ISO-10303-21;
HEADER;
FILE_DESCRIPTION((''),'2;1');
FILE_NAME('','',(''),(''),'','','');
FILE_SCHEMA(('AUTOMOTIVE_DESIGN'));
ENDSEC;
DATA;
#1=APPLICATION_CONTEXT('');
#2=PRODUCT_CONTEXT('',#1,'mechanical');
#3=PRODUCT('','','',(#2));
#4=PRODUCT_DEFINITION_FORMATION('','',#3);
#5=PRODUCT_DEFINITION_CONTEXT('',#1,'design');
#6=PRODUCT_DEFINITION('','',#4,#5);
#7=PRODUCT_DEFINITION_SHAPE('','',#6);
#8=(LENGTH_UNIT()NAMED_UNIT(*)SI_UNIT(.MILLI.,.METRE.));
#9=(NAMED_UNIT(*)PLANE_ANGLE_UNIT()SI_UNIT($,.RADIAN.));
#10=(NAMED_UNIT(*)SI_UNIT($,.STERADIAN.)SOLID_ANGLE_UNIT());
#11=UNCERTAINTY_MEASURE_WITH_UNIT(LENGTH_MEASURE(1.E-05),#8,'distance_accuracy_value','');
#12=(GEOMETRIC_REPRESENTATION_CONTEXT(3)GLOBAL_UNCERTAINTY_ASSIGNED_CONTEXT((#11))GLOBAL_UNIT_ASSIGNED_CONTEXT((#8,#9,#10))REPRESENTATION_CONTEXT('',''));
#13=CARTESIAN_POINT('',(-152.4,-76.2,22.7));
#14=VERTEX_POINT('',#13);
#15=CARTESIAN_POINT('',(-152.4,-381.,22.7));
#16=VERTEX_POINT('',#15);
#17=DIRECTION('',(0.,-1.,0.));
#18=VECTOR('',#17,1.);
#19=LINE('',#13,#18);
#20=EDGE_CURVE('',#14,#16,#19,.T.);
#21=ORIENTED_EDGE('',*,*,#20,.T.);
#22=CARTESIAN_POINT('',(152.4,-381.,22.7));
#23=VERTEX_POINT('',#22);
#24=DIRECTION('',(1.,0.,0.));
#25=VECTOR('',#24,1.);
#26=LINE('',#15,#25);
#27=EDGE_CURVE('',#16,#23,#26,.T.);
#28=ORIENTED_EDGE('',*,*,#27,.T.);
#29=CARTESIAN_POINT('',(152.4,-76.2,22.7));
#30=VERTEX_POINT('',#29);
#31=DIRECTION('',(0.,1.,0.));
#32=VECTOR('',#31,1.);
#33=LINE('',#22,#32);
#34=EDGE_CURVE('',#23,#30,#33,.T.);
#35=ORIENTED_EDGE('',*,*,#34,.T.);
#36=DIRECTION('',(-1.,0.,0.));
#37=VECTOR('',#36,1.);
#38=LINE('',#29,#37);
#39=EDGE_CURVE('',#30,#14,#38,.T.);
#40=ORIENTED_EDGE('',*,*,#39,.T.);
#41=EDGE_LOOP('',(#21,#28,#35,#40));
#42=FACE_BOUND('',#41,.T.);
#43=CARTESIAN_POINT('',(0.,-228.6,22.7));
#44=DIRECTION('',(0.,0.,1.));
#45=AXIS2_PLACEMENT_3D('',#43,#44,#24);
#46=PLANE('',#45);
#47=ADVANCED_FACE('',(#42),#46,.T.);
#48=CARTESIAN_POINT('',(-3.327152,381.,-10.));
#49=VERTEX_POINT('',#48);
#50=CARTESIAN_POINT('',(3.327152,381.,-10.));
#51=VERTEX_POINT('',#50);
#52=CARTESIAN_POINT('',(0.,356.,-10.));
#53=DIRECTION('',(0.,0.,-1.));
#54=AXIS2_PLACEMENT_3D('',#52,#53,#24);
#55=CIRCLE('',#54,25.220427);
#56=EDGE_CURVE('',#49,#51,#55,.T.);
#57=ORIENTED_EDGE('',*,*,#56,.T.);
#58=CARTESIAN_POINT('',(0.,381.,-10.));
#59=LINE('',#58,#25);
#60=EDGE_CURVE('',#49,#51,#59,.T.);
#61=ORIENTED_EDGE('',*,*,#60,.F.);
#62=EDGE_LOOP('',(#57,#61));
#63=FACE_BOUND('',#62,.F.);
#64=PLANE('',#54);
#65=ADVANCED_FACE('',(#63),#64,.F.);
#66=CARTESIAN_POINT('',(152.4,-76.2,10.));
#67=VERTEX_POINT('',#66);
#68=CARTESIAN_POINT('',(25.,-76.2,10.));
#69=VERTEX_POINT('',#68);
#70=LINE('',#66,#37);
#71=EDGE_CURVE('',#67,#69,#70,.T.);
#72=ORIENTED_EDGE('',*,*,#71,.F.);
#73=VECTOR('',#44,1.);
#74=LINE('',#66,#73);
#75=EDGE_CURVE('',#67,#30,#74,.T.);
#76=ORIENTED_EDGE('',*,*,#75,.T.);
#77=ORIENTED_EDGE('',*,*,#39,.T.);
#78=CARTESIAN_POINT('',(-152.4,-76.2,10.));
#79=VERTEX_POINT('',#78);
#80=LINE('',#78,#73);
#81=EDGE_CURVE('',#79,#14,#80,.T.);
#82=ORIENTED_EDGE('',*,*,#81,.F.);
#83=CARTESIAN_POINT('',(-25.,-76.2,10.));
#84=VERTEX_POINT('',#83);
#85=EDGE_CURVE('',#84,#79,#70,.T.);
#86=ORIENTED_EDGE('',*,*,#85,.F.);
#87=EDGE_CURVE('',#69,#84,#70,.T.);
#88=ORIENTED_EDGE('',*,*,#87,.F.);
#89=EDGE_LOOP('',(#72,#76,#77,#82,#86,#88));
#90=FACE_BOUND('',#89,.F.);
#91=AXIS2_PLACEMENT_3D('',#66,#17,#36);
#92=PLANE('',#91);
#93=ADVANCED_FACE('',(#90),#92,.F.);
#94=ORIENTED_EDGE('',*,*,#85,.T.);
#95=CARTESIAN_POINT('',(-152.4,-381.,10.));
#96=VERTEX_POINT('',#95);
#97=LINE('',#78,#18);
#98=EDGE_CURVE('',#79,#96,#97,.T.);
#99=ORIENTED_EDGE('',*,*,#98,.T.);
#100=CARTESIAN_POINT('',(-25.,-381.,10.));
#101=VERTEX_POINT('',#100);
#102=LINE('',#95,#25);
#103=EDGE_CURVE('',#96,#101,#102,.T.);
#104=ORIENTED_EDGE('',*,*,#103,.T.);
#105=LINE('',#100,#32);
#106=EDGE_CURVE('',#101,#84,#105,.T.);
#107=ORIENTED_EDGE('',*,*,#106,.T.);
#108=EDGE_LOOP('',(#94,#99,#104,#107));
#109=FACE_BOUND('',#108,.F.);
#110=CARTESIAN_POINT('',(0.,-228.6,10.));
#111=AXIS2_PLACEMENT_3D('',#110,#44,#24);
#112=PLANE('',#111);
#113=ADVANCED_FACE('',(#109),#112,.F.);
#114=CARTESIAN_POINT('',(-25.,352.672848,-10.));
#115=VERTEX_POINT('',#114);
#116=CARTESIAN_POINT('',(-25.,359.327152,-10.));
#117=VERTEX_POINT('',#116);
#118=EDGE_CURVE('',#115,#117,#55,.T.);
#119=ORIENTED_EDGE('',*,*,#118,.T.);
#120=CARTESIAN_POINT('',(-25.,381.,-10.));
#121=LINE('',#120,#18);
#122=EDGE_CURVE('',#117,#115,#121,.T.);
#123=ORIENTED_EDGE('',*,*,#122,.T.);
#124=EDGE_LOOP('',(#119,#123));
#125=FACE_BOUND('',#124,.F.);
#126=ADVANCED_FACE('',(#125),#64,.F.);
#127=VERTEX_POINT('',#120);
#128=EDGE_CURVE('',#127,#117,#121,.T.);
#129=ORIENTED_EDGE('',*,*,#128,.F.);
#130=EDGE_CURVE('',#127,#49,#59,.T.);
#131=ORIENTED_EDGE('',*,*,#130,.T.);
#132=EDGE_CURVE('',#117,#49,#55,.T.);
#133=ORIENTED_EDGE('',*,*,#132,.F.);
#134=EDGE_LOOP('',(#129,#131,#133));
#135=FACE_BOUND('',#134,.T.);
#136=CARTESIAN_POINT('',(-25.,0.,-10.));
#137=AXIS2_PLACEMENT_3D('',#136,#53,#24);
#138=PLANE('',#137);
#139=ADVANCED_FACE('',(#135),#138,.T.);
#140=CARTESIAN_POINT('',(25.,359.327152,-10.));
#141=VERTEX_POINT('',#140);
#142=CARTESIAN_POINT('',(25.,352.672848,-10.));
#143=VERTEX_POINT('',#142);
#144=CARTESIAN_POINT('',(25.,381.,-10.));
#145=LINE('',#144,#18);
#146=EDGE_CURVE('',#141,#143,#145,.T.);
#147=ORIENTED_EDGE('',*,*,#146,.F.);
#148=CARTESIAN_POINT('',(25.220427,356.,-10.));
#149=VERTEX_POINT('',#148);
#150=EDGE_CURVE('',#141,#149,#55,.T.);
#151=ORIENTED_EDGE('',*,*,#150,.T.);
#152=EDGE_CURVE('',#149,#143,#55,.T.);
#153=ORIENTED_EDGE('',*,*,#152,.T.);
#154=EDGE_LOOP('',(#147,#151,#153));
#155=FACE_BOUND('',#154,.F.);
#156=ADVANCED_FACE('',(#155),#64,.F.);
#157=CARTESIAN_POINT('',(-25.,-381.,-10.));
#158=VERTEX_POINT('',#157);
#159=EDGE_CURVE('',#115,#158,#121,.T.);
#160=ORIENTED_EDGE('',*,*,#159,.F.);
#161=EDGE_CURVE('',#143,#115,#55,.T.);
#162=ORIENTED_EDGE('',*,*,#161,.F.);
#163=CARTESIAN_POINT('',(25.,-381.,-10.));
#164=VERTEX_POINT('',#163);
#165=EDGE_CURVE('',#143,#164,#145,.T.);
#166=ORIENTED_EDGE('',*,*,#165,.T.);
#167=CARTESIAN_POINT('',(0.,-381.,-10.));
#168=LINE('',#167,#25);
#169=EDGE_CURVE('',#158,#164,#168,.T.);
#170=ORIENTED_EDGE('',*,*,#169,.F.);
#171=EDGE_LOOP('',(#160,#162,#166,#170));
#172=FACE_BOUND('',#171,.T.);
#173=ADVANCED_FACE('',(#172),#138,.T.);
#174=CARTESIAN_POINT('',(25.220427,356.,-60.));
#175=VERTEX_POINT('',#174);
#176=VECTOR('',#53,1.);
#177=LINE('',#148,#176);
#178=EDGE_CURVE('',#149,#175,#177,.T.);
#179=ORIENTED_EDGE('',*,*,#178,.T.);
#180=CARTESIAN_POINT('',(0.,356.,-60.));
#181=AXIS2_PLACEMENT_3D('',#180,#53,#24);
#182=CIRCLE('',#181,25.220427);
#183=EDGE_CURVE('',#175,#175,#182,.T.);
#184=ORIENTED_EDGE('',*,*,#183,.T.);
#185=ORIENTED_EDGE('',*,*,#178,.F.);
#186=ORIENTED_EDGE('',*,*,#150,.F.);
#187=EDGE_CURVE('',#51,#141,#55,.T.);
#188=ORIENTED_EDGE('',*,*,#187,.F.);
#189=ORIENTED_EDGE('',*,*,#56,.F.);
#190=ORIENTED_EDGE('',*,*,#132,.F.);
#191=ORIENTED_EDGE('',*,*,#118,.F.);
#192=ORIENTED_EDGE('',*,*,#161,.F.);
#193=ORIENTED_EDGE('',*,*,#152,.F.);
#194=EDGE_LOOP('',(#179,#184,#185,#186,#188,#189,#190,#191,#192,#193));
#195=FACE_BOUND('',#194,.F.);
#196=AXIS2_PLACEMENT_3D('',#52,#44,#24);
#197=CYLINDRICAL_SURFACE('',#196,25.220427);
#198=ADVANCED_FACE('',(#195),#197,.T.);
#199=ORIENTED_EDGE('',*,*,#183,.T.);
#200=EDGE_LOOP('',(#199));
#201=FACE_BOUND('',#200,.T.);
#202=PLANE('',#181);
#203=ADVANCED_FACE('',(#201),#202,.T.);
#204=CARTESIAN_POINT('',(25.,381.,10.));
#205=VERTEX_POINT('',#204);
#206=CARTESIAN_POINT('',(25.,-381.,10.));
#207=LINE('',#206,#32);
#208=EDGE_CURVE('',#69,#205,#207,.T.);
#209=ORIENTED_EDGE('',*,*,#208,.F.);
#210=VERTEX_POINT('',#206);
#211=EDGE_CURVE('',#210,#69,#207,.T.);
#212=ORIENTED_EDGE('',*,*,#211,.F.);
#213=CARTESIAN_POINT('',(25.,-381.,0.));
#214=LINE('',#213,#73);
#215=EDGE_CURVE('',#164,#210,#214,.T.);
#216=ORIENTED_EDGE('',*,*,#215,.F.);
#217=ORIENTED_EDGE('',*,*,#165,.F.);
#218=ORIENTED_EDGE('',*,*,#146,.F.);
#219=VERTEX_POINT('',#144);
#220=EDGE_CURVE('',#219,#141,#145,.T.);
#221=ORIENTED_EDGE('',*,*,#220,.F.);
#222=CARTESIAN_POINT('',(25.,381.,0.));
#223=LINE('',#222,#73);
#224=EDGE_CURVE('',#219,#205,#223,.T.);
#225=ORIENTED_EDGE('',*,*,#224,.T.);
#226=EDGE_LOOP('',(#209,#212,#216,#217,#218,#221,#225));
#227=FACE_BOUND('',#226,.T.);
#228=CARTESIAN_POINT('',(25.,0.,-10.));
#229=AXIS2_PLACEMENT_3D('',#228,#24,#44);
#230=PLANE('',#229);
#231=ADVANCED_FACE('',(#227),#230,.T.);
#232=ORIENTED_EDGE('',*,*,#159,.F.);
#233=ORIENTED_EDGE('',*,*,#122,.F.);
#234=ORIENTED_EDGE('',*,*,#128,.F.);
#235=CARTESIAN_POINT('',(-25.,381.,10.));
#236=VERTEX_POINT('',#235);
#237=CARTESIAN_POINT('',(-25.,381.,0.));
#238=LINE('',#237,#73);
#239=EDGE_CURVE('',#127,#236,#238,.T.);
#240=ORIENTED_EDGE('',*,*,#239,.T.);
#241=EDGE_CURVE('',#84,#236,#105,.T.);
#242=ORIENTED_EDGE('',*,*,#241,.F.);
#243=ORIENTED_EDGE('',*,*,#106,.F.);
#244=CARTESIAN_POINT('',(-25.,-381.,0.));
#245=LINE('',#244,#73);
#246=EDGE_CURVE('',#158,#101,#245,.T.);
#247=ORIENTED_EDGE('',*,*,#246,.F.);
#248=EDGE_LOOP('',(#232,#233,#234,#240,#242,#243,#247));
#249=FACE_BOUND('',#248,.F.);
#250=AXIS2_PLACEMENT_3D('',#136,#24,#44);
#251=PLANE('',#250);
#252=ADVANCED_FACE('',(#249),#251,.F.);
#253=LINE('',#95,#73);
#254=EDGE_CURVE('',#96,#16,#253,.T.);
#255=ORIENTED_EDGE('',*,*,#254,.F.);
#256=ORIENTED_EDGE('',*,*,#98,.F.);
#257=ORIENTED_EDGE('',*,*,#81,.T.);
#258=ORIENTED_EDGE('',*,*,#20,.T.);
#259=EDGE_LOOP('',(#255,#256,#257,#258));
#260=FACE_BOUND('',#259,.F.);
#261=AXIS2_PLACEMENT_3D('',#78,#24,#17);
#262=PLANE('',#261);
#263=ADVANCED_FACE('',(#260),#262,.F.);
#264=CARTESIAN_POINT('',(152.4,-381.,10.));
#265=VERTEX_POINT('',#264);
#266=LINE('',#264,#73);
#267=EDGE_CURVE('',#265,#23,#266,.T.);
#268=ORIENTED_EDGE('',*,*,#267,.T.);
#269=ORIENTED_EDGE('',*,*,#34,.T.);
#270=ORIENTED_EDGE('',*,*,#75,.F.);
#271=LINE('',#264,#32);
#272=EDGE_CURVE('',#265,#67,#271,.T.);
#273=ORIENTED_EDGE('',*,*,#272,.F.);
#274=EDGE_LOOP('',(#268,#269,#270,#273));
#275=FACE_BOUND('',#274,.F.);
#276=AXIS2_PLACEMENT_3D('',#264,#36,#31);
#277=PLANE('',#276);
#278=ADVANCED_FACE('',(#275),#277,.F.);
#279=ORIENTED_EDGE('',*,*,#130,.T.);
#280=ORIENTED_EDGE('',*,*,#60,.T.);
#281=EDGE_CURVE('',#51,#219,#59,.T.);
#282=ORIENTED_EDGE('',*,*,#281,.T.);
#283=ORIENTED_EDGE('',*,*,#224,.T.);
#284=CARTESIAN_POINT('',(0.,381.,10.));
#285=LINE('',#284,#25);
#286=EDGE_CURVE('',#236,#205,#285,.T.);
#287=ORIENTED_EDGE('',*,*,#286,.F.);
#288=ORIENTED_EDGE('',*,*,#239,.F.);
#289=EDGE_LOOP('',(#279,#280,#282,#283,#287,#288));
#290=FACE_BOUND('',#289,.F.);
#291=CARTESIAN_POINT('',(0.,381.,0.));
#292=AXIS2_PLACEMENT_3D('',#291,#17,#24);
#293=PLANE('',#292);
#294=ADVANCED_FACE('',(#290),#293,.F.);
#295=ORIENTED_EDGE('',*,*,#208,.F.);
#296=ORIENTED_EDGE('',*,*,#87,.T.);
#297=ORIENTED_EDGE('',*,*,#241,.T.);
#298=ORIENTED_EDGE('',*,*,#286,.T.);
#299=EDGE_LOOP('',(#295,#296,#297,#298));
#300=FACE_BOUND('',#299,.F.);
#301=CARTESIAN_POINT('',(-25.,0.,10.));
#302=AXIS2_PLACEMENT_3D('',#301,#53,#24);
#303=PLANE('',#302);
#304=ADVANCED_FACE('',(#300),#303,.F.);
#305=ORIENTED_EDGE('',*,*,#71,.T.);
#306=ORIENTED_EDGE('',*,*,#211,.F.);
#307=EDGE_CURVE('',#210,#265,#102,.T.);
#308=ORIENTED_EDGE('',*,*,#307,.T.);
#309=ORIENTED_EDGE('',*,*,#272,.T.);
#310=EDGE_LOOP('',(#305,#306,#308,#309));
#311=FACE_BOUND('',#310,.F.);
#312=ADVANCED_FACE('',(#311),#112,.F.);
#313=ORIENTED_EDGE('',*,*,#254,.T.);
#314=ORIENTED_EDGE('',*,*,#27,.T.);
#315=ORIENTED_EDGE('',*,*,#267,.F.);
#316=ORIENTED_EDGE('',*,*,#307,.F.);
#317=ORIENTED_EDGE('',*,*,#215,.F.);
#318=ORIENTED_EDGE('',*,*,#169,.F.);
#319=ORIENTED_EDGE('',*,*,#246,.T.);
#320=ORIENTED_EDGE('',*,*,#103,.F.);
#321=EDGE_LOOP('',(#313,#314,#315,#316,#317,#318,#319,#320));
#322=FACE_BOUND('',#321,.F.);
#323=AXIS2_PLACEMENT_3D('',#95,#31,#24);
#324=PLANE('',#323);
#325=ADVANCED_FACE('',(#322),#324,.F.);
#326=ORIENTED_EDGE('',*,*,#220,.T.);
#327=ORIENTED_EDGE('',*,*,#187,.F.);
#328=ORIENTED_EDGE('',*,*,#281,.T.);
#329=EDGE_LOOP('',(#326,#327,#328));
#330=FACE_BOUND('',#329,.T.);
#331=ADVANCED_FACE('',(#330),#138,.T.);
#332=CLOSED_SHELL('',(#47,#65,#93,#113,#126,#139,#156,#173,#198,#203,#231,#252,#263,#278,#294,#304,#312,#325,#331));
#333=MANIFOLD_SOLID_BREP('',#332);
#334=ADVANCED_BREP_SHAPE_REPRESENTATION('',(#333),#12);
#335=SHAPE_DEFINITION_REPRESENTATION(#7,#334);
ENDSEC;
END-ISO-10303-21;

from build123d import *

# Parameters (mm, degrees)
F0_W     = 50
F0_H     = 20
F1_DEPTH = 381
F2_R     = 25.220427
F3_DEPTH = 50
F5_DEPTH = 12.7


with BuildPart() as f1:
    # F0 (on Front) → F1 (new body, symmetric)
    with BuildSketch(Plane.XZ):
        Rectangle(F0_W, F0_H)
    extrude(amount=F1_DEPTH, both=True)

    # F2 (on face) → F3 (join)
    with BuildSketch(Plane(origin=(0, 0, -10), x_dir=(1, 0, 0), z_dir=(0, 0, -1))):
        with Locations((0, -356)):
            Circle(F2_R)
    extrude(amount=F3_DEPTH)

    # F4 (on face) → F5 (join)
    with BuildSketch(Plane.XY.offset(10)):
        Polygon((-152.4, -76.2), (-152.4, -381), (0, -381), (152.4, -381), (152.4, -76.2), align=None)
    extrude(amount=F5_DEPTH)


solid = f1.part
